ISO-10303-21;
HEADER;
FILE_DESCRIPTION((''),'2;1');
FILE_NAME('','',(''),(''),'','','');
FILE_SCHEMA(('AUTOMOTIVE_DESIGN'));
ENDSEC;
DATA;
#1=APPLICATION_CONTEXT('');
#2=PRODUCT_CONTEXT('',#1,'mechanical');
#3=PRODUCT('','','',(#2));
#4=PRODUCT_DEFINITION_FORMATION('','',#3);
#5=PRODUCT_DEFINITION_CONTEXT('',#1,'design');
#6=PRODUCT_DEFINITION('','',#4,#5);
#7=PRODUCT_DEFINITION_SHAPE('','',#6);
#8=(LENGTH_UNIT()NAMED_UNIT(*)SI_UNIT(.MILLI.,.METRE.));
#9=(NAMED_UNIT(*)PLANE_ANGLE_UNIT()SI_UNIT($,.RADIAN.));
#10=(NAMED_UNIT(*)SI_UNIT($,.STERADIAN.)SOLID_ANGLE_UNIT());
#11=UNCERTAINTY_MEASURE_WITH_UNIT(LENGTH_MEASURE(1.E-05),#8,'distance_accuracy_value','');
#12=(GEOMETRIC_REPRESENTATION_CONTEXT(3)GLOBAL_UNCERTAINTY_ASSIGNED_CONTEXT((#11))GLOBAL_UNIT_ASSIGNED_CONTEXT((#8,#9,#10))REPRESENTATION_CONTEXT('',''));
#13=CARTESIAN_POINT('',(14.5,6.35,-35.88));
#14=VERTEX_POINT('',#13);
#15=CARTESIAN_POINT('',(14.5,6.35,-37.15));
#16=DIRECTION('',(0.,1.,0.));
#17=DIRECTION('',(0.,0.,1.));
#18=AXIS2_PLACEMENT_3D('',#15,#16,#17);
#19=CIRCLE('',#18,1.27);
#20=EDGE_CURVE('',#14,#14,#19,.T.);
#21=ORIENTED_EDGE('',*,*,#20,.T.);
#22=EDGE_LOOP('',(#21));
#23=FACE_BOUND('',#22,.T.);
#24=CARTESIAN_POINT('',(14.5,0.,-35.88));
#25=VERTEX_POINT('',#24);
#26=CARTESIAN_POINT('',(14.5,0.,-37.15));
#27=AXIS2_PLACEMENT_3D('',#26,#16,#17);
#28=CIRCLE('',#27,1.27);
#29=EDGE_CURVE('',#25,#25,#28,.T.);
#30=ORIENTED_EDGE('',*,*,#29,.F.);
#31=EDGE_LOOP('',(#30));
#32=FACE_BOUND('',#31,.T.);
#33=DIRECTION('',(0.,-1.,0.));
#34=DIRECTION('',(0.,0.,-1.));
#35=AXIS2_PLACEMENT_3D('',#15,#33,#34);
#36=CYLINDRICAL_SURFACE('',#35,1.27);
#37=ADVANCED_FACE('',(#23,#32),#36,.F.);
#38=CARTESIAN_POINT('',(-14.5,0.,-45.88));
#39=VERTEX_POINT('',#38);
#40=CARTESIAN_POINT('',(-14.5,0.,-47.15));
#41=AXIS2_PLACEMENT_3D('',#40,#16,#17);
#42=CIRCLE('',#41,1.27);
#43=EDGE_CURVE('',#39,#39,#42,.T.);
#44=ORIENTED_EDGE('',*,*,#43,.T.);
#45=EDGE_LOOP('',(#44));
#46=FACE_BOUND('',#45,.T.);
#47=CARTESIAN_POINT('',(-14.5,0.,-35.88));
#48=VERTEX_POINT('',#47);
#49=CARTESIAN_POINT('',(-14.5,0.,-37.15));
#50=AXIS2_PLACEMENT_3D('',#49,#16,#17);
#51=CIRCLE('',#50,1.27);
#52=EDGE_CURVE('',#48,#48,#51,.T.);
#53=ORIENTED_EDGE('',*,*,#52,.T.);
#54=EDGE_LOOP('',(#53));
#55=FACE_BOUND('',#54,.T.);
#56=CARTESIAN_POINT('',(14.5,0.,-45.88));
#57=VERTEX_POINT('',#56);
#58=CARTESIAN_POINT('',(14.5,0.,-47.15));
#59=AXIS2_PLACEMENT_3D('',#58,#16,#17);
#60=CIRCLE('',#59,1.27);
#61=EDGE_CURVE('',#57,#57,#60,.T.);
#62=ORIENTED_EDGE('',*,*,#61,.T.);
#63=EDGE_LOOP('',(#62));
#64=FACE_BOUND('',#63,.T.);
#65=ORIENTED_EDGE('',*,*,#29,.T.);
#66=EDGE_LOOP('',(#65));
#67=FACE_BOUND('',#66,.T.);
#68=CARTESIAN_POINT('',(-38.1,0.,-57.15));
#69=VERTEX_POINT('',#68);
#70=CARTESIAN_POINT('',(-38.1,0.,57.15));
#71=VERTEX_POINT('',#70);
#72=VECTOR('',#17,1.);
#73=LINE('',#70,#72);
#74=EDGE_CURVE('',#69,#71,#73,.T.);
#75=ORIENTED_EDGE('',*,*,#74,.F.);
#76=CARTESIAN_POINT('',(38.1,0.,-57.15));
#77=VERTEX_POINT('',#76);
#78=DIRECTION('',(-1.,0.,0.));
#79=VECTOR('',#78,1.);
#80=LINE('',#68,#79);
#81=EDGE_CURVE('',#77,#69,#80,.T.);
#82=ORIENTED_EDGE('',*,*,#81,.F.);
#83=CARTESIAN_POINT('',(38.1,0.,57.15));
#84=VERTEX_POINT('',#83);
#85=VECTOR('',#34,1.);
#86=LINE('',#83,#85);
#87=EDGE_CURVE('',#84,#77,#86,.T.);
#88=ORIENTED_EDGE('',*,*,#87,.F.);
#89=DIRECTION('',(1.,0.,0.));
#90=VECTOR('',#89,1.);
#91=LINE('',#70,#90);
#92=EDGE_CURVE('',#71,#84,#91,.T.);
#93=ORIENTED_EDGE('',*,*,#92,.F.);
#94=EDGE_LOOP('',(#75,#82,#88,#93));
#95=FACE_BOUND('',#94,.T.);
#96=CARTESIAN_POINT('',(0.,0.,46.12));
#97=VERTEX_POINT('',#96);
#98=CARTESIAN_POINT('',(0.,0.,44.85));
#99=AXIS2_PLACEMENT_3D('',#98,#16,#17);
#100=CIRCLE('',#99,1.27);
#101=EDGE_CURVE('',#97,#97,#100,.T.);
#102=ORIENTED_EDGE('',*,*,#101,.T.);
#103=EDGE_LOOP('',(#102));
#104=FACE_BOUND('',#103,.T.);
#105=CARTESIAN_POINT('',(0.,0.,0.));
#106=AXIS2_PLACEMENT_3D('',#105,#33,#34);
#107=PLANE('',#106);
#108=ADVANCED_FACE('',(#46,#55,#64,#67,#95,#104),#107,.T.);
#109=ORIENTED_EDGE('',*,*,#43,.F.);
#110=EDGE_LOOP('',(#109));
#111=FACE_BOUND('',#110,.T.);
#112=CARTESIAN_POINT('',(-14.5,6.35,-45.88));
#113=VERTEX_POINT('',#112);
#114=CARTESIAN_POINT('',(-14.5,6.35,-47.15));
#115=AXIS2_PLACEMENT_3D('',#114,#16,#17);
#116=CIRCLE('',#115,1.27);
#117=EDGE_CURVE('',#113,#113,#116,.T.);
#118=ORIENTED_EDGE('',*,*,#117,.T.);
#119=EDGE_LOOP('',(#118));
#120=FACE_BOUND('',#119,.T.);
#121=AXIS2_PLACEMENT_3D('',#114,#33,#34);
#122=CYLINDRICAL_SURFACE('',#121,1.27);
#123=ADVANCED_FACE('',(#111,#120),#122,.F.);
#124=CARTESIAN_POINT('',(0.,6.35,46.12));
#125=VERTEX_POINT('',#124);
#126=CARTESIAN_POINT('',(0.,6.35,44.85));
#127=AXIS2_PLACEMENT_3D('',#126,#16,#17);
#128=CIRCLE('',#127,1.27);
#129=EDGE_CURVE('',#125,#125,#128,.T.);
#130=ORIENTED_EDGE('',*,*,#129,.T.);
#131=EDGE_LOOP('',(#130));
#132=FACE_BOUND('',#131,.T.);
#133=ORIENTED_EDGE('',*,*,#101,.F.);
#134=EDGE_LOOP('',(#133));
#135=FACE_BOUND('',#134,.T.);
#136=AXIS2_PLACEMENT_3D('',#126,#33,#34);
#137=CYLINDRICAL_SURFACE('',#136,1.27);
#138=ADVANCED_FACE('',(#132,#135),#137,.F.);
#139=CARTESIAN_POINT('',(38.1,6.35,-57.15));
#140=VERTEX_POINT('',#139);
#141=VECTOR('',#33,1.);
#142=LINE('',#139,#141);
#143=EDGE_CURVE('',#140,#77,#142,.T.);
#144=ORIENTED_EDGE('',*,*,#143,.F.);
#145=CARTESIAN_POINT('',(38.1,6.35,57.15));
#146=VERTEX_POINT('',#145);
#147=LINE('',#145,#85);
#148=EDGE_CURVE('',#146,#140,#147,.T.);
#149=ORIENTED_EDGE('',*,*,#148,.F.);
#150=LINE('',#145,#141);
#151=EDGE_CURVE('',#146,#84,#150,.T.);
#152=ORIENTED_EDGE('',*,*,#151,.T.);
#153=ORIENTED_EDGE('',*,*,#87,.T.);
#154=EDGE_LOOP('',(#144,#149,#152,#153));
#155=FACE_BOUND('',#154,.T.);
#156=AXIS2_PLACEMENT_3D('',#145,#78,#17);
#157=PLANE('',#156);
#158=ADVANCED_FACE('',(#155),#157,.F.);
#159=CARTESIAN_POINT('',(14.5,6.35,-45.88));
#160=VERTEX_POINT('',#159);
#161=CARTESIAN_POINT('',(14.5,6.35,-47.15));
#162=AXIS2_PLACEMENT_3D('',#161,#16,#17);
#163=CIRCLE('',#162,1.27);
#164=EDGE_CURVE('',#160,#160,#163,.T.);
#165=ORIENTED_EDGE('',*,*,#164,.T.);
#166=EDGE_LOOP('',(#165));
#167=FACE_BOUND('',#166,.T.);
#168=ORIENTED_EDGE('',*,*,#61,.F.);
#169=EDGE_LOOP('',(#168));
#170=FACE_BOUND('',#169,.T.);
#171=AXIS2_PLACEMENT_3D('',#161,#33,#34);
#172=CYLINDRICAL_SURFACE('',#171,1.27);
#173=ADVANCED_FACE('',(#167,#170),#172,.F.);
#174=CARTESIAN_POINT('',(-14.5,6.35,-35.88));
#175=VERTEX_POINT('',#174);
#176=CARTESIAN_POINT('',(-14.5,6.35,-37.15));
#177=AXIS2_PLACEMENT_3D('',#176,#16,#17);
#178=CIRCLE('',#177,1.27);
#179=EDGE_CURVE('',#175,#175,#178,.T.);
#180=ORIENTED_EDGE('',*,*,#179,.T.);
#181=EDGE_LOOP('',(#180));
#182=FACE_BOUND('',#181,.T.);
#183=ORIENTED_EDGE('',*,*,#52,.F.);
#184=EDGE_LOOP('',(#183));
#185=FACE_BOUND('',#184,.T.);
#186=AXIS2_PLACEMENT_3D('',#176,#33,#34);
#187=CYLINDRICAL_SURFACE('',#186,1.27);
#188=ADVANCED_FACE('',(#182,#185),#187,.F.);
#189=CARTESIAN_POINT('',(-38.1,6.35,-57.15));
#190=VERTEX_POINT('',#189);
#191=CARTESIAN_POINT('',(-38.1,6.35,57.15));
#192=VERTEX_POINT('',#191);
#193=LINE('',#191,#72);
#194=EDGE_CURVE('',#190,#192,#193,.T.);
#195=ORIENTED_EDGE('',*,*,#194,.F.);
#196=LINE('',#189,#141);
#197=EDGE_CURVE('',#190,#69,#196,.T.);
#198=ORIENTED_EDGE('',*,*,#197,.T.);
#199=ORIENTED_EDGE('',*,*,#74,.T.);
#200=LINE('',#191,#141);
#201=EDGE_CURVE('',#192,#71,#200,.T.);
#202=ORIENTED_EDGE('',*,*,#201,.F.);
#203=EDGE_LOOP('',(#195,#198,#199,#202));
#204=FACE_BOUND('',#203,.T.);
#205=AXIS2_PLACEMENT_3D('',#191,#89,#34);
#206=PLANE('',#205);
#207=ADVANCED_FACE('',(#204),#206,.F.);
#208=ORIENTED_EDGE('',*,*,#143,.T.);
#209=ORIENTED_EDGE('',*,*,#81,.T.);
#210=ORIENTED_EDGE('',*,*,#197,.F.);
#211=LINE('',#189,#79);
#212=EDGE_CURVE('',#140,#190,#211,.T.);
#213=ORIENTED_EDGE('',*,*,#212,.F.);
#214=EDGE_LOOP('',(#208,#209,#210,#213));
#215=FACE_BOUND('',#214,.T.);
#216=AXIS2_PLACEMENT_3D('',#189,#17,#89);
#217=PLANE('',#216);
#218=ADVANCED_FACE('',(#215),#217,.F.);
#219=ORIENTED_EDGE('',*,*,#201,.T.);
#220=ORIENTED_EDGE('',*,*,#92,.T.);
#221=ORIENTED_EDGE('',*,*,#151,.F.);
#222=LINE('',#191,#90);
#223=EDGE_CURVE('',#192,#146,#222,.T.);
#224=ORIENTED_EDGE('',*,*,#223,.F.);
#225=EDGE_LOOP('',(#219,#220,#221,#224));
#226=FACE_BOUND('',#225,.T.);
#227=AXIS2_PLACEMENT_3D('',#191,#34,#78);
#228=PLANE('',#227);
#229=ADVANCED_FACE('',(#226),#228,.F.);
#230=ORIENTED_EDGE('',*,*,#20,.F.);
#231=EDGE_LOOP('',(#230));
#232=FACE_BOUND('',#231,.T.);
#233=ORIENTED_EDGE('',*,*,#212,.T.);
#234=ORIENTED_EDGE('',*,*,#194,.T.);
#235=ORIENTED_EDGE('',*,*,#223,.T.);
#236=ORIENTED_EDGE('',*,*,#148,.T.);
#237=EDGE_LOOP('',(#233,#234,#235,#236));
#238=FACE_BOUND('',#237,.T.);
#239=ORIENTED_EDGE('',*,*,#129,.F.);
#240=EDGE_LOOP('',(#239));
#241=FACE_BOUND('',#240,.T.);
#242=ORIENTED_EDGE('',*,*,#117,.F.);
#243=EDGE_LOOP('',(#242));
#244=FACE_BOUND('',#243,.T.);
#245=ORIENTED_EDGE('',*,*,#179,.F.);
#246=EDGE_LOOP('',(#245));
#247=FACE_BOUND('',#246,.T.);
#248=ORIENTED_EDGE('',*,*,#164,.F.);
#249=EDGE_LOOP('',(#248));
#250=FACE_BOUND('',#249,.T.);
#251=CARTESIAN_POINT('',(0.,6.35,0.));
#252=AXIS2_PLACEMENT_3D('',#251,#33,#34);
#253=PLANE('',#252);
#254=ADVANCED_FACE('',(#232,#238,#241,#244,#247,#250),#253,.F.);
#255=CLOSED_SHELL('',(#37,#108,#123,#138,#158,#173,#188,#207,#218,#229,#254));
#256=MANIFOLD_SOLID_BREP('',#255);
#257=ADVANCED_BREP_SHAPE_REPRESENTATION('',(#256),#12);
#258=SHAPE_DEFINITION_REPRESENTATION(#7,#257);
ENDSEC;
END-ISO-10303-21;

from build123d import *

# Parameters (mm, degrees)
SKETCH1_W           = 76.2
SKETCH1_H           = 114.3
SKETCH1_R           = 1.27
BOSS_EXTRUDE1_DEPTH = 6.35


with BuildPart() as part:
    # Sketch1 → Boss-Extrude1 (new body)
    with BuildSketch(Plane(origin=(0, 0, 0), x_dir=(1, 0, 0), z_dir=(0, 1, 0))):
        Rectangle(SKETCH1_W, SKETCH1_H)
        with Locations(Location((-14.5, 47.15, 0), (0, 0, 270))):
            Circle(SKETCH1_R, mode=Mode.SUBTRACT)
        with Locations(Location((14.5, 47.15, 0), (0, 0, 270))):
            Circle(SKETCH1_R, mode=Mode.SUBTRACT)
        with Locations(Location((0, -44.85, 0), (0, 0, 270))):
            Circle(SKETCH1_R, mode=Mode.SUBTRACT)
        with Locations(Location((-14.5, 37.15, 0), (0, 0, 270))):
            Circle(SKETCH1_R, mode=Mode.SUBTRACT)
        with Locations(Location((14.5, 37.15, 0), (0, 0, 270))):
            Circle(SKETCH1_R, mode=Mode.SUBTRACT)
    extrude(amount=BOSS_EXTRUDE1_DEPTH)


solid = part.part
